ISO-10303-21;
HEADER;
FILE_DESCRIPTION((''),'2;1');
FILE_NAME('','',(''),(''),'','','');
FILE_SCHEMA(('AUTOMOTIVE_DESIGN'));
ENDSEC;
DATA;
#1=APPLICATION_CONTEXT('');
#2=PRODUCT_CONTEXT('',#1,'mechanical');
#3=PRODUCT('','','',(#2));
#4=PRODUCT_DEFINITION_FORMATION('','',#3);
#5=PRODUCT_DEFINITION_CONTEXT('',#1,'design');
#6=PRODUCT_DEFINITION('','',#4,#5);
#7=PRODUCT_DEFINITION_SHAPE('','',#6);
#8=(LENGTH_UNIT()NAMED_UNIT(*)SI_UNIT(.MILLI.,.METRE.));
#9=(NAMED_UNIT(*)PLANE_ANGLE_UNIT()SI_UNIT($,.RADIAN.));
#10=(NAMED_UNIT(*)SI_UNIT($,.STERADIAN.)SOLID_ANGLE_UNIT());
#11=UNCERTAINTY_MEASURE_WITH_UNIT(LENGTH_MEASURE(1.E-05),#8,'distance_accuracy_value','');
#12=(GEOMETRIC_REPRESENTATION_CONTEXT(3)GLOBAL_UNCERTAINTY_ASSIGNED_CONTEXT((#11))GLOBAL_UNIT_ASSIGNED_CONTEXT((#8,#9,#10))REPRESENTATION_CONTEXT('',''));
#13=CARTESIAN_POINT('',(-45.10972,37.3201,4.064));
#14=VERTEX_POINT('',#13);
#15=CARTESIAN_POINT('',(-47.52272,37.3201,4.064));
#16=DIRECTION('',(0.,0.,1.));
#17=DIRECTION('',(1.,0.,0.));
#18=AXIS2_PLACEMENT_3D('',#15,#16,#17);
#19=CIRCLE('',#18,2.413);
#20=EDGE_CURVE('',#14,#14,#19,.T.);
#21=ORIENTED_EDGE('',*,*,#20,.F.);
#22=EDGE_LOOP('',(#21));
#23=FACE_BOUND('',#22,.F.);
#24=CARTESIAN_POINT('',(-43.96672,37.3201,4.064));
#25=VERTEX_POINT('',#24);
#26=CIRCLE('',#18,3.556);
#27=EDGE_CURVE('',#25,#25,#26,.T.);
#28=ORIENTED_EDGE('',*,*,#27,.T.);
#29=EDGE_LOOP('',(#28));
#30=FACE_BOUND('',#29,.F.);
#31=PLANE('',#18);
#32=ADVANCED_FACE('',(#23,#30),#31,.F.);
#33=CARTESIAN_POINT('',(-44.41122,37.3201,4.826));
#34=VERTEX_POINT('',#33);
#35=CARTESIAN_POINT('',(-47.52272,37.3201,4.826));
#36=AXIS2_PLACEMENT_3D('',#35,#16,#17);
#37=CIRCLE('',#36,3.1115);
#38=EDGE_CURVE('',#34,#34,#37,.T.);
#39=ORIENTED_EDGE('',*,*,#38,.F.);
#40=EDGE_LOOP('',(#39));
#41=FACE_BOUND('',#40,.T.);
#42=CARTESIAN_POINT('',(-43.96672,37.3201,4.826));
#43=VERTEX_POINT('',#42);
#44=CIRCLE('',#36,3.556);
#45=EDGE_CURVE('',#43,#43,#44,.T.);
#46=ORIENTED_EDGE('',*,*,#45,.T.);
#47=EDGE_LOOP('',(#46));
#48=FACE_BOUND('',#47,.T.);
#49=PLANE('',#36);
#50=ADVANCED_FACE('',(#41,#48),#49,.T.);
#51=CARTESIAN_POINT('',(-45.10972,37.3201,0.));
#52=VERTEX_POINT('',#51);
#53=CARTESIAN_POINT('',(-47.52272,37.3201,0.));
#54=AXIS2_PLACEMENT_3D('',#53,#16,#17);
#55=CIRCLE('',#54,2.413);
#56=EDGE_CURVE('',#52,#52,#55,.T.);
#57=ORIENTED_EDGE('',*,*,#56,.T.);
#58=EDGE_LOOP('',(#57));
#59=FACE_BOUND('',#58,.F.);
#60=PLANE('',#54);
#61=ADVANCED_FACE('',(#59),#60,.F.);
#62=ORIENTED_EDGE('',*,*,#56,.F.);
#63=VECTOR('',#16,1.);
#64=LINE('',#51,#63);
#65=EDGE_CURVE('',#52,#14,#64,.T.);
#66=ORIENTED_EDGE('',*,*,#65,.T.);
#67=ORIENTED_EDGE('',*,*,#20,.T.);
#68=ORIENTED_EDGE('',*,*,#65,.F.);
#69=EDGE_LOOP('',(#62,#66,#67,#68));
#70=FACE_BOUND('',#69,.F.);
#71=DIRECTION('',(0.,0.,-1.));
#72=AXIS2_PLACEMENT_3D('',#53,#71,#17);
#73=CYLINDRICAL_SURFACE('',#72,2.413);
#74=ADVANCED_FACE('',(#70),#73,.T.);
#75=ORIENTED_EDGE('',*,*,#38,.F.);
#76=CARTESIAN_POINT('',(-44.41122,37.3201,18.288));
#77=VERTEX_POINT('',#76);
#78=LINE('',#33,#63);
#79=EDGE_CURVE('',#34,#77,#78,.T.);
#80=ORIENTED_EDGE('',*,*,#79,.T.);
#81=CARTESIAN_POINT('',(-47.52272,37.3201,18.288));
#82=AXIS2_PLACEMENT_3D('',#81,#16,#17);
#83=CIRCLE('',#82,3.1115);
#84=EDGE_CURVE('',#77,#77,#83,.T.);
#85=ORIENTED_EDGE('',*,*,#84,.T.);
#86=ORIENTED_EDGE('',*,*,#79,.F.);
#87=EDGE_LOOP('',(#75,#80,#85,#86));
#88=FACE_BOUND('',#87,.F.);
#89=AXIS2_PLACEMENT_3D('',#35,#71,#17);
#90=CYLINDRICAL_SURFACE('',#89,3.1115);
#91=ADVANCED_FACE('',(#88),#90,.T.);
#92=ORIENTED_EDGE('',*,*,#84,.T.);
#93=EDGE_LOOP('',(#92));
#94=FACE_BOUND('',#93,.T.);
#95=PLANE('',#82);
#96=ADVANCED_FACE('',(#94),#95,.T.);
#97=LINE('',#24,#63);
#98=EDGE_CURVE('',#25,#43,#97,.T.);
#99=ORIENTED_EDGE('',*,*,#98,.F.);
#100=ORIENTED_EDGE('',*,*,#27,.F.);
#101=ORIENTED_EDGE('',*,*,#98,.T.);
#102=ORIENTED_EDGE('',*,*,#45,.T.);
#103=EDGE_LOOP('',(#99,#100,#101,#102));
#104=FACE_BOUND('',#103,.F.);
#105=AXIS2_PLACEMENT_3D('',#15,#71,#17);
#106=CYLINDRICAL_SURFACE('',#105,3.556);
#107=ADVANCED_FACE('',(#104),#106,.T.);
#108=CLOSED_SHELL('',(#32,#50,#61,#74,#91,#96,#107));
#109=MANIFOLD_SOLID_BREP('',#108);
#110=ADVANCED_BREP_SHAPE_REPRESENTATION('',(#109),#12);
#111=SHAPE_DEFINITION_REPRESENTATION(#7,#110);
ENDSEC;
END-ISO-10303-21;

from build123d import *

# Parameters (mm, degrees)
F0_R     = 2.413
F1_DEPTH = 4.064
F2_R     = 3.556
F2_R_2   = 2.413
F3_DEPTH = 0.762
F4_R     = 3.1115
F5_DEPTH = 13.462


with BuildPart() as f1:
    # F0 (on Top) → F1 (new body)
    with BuildSketch(Plane.XY):
        with Locations((-47.52272, 37.3201)):
            Circle(F0_R)
    extrude(amount=F1_DEPTH)

    # F2 (on face) → F3 (join)
    with BuildSketch(Plane.XY.offset(4.064)):
        with Locations((-47.52272, 37.3201)):
            Circle(F2_R)
        with Locations((-47.52272, 37.3201)):
            Circle(F2_R_2, mode=Mode.SUBTRACT)
        with Locations((-47.52272, 37.3201)):
            Circle(F2_R_2)
    extrude(amount=F3_DEPTH)

    # F4 (on face) → F5 (join)
    with BuildSketch(Plane.XY.offset(4.826)):
        with Locations((-47.52272, 37.3201)):
            Circle(F4_R)
    extrude(amount=F5_DEPTH)


solid = f1.part
